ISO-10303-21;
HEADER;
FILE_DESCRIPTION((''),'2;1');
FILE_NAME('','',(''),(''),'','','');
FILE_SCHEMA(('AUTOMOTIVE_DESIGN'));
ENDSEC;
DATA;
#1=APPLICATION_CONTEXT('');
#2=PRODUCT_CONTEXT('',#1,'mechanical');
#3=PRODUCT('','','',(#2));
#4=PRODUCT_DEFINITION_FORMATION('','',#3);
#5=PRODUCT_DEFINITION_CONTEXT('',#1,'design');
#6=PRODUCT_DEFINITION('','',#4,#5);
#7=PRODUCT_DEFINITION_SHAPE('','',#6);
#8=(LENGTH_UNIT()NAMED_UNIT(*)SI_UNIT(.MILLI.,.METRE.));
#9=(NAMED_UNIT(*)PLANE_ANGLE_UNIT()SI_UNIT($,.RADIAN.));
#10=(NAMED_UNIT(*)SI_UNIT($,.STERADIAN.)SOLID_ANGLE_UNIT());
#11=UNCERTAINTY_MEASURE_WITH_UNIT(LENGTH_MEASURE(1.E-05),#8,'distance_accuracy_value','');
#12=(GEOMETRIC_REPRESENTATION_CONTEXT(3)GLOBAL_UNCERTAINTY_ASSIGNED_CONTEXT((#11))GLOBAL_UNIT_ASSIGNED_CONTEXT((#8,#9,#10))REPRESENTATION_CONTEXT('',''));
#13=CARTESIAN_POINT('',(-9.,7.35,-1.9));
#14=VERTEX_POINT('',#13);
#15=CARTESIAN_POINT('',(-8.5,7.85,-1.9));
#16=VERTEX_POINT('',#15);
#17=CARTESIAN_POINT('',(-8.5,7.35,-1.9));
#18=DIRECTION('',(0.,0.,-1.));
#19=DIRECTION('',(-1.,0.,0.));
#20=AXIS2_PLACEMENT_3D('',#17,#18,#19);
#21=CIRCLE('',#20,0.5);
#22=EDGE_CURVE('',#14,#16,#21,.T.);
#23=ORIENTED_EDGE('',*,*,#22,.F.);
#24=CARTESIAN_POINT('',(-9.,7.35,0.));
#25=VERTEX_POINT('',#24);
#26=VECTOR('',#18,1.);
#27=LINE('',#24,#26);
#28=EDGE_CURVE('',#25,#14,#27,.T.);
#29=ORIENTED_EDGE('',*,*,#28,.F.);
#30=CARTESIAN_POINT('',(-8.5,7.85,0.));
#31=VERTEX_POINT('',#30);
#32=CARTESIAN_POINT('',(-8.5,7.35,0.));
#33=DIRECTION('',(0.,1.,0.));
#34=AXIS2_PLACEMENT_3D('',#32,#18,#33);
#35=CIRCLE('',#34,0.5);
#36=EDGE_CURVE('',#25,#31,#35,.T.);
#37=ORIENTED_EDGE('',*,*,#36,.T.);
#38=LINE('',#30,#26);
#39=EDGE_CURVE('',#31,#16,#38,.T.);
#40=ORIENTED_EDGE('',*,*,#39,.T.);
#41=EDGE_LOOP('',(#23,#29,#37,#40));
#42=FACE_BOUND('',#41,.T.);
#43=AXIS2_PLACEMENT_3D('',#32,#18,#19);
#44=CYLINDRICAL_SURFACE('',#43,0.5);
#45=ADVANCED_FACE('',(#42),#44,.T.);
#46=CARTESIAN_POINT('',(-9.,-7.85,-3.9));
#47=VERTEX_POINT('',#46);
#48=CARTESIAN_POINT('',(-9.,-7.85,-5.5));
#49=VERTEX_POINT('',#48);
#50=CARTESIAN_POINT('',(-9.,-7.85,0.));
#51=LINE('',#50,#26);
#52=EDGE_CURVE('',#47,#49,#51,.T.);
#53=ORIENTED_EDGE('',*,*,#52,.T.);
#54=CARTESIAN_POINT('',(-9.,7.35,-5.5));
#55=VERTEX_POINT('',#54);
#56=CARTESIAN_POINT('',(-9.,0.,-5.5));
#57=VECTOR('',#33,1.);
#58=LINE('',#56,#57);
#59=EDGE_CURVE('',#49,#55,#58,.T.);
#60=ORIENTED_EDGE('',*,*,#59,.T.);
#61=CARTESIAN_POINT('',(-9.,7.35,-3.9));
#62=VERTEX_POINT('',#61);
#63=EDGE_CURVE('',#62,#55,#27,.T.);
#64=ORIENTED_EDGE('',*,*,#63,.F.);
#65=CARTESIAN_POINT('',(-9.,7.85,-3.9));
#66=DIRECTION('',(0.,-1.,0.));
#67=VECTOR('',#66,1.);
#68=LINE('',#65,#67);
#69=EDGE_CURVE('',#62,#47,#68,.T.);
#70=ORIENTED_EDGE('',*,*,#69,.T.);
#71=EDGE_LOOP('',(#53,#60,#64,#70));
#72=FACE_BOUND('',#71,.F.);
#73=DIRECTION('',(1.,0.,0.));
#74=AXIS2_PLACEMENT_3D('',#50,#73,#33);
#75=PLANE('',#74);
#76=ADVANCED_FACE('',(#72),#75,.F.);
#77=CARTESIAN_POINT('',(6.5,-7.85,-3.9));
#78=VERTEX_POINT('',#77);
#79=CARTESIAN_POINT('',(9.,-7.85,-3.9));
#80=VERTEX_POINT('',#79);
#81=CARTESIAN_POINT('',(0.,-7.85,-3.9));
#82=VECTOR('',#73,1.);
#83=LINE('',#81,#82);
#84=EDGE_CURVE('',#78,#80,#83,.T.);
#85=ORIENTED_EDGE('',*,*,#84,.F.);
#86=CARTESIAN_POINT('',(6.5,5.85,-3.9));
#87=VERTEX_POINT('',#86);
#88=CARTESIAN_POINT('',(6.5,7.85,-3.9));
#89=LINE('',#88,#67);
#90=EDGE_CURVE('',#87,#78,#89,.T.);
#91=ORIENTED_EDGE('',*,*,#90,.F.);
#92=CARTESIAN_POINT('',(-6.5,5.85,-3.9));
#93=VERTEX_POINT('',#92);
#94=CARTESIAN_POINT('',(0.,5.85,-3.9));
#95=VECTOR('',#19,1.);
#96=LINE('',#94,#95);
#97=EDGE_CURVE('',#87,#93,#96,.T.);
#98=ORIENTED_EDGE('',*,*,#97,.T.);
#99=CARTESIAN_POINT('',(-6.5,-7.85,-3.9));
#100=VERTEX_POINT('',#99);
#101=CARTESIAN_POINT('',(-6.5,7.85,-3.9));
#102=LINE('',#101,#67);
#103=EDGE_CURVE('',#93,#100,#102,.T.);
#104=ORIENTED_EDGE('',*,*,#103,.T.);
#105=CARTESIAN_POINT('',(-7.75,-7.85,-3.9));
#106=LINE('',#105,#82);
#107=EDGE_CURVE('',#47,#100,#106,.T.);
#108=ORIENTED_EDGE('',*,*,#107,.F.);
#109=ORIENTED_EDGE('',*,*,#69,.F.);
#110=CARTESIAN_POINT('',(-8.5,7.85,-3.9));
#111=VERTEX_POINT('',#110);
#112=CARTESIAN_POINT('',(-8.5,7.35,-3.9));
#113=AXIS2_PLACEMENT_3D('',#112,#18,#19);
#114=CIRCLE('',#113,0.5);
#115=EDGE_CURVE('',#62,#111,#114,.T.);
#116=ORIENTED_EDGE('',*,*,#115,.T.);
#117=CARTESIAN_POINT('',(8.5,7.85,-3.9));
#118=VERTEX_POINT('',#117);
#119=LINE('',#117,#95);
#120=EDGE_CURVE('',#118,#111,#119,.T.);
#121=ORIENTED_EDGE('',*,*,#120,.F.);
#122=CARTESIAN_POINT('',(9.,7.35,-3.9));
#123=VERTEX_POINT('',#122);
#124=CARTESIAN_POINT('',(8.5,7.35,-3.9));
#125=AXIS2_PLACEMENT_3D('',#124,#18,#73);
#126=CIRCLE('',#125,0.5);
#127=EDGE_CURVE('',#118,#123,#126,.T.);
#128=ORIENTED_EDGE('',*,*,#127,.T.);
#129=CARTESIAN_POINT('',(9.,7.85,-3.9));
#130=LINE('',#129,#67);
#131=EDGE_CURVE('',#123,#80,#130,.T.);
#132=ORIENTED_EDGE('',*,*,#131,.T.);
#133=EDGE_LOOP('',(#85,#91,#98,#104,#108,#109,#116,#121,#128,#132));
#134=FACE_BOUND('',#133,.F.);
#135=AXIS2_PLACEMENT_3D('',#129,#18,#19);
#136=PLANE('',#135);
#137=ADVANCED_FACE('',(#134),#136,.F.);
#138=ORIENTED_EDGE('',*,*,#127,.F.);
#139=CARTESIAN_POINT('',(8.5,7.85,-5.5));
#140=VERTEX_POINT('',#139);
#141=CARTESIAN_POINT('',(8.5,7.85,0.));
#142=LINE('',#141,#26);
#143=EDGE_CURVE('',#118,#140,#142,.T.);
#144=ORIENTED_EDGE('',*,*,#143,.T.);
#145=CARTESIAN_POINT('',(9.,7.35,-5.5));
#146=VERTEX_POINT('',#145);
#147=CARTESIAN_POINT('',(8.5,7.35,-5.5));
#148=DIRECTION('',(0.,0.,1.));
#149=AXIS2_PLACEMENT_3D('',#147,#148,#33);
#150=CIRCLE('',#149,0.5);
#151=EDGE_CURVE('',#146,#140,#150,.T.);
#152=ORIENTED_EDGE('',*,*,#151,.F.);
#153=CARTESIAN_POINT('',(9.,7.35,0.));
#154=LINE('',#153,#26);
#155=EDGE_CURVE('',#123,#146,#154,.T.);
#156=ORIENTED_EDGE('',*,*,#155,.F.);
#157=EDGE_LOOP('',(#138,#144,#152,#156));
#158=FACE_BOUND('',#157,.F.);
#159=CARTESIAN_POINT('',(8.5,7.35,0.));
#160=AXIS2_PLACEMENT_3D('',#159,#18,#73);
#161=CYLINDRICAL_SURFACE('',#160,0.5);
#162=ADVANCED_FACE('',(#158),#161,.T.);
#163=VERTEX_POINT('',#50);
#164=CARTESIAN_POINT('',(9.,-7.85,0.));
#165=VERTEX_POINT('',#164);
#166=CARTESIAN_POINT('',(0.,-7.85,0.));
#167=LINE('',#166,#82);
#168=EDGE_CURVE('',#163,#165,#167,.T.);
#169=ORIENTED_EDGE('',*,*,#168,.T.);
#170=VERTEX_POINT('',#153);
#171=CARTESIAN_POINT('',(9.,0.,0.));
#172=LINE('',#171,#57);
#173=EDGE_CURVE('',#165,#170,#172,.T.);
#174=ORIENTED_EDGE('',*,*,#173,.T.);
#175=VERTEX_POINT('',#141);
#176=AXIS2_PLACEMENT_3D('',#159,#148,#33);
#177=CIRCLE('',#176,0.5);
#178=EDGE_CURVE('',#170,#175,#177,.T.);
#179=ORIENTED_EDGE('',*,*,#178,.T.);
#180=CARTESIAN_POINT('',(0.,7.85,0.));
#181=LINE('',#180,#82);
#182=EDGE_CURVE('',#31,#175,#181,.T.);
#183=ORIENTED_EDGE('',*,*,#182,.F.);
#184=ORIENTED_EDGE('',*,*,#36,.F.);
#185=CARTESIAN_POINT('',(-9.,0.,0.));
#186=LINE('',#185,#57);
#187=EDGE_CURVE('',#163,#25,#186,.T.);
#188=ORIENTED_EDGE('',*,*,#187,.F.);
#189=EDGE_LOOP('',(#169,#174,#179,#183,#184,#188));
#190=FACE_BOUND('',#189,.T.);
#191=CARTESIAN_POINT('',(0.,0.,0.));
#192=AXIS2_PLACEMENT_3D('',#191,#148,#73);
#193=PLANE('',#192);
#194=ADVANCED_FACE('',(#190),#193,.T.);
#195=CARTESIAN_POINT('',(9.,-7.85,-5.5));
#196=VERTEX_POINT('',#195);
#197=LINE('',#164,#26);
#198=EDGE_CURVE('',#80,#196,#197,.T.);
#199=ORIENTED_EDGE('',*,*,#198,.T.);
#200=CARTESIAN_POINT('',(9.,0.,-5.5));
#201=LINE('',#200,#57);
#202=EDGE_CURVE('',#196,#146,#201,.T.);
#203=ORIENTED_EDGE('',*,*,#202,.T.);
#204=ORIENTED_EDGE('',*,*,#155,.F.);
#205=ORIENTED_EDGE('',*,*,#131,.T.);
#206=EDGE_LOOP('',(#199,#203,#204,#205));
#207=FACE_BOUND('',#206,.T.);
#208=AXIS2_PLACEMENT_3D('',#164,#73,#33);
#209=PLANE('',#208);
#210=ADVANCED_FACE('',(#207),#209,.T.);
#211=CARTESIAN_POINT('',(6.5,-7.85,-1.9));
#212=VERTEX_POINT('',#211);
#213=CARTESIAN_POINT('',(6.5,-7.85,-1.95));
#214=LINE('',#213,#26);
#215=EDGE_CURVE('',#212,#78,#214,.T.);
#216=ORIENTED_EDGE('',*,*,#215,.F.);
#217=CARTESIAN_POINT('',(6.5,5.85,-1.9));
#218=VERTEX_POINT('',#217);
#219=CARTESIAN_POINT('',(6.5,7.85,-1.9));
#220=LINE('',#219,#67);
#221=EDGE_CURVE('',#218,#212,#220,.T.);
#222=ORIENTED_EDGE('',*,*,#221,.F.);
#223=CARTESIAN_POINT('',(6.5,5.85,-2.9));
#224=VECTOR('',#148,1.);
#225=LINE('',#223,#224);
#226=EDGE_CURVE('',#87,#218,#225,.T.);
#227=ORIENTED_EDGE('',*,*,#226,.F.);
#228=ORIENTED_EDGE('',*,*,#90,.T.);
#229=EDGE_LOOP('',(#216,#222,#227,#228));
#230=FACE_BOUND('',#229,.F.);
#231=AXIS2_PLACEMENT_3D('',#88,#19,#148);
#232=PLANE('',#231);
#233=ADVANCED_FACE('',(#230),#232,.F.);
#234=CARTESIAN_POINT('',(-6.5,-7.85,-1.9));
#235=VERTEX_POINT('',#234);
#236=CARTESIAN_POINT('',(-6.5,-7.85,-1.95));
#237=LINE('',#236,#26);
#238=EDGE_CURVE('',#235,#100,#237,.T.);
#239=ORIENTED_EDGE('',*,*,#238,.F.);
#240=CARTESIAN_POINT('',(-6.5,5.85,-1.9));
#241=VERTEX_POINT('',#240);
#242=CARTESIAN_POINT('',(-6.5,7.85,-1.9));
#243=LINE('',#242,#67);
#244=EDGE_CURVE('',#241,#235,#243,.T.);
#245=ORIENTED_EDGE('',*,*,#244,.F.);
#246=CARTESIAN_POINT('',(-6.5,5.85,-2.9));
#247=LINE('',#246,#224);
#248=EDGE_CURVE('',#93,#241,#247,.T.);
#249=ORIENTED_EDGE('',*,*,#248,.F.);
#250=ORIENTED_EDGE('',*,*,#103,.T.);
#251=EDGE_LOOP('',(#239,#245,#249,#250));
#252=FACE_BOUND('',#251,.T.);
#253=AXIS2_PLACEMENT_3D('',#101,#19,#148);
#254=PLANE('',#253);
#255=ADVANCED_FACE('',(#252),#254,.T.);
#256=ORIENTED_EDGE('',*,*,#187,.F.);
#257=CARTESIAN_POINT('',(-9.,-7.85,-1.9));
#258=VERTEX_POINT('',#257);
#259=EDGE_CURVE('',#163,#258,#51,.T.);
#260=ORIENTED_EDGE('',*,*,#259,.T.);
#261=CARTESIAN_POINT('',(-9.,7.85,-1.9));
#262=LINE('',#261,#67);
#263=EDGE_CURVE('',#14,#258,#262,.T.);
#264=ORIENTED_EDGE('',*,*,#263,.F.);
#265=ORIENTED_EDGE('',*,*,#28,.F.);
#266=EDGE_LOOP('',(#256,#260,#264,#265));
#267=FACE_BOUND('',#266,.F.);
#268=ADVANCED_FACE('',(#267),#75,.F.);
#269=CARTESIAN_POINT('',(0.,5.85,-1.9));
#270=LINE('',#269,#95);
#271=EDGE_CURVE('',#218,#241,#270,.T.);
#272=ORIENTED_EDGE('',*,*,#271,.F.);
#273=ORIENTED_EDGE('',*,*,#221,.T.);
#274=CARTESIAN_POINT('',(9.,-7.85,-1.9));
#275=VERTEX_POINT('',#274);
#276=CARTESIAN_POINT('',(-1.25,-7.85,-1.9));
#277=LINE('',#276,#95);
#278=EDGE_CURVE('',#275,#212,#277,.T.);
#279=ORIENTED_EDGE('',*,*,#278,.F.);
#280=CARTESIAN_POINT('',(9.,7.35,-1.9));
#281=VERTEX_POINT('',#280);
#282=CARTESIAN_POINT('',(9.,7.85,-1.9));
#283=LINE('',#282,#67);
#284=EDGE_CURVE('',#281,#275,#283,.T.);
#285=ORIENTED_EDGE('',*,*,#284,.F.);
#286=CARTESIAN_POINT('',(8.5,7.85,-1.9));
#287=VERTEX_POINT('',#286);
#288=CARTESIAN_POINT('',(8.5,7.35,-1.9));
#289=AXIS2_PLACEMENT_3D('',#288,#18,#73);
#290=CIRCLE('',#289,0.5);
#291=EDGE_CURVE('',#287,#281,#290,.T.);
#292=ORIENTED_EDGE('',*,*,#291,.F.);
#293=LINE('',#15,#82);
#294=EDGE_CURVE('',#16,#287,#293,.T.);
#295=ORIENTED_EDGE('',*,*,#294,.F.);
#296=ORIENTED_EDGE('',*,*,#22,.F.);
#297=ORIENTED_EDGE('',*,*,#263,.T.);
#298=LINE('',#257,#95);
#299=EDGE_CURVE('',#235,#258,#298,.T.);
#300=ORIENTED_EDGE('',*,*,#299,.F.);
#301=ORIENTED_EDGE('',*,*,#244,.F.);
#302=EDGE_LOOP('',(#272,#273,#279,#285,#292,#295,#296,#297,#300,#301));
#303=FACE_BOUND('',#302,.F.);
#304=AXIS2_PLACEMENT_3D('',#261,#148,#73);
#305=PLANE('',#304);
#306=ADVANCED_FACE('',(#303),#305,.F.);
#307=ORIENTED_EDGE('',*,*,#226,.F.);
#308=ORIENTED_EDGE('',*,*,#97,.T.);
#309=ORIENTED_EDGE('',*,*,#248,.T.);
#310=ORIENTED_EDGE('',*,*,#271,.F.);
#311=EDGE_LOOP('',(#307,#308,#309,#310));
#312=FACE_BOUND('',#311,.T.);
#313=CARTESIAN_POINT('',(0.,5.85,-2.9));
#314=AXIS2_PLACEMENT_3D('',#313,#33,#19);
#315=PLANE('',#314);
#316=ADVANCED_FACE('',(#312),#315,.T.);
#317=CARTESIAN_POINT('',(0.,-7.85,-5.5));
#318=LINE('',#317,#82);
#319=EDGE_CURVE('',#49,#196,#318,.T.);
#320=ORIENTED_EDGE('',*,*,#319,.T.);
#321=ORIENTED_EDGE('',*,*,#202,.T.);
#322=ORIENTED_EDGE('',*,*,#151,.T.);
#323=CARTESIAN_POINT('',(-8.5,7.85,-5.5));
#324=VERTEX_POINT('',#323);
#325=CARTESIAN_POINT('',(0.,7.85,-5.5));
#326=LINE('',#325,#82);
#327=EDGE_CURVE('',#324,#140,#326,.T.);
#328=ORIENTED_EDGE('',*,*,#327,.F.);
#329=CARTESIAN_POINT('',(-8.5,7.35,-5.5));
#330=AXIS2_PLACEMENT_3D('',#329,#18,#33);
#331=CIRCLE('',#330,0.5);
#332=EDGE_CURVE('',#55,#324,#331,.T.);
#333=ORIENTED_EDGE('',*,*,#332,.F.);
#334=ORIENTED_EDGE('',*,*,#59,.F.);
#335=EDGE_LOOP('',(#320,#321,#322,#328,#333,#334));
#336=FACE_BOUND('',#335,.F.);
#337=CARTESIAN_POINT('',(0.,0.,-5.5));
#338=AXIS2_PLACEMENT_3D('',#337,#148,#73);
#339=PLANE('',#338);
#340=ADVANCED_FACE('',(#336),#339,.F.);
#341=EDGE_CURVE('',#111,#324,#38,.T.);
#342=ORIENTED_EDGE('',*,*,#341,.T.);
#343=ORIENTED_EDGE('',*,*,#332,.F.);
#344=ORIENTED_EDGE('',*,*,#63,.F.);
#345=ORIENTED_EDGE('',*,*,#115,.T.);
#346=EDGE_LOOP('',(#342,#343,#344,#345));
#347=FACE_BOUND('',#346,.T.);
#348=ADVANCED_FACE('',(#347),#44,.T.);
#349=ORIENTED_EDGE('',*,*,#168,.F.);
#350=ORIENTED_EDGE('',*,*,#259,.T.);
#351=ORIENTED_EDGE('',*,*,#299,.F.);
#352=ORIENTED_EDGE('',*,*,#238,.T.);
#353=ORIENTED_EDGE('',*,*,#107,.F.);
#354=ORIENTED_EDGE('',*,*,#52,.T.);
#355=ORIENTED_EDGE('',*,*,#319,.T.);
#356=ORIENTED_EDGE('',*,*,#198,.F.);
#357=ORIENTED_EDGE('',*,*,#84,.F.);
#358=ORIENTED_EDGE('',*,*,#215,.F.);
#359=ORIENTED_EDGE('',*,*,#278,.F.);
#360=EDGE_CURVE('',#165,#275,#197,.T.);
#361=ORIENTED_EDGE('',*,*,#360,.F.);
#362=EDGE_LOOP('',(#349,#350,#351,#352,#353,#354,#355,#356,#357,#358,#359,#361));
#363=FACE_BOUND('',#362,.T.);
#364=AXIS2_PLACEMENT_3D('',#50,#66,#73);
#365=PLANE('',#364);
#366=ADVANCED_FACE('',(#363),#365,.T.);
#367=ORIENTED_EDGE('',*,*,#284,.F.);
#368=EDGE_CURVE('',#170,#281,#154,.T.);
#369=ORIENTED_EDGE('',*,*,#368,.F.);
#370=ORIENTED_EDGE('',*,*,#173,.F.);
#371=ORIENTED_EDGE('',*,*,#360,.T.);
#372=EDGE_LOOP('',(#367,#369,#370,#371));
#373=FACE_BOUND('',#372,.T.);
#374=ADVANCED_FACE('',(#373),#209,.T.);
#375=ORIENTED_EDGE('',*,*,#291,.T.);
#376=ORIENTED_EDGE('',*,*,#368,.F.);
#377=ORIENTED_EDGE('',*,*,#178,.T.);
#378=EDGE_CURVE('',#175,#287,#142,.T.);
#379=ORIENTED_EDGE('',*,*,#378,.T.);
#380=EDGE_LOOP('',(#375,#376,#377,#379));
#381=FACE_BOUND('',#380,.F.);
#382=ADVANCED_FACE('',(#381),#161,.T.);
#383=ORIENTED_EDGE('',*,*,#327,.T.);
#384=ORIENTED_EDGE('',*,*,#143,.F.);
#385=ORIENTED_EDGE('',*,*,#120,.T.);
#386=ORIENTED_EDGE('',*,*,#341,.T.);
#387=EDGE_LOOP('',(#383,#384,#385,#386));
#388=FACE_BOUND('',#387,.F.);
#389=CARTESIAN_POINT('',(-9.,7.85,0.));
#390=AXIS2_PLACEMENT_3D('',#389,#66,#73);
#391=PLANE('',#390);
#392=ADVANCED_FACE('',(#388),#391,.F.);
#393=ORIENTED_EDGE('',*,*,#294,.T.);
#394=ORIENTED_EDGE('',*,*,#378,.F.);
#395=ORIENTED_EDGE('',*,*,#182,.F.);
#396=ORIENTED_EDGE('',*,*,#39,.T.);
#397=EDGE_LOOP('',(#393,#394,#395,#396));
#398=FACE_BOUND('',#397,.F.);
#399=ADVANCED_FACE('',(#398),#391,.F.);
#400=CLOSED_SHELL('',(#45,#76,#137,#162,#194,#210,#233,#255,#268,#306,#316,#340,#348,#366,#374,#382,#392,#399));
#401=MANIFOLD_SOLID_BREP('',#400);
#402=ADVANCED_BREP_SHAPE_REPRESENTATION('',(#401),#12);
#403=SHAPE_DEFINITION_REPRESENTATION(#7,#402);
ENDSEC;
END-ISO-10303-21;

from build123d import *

# Parameters (mm, degrees)
F0_W     = 18
F0_H     = 15.7
F1_DEPTH = 5.5
F2_R     = 0.5
F3_W     = 2
F3_H     = 2
F3_W_2   = 0.5
F4_DEPTH = 25
F3_W_3   = 13
F5_DEPTH = 2


with BuildPart() as f1:
    # F0 (on Top) → F1 (new body)
    with BuildSketch(Plane.XY):
        Rectangle(F0_W, F0_H)
    extrude(amount=-F1_DEPTH)

    # F2
    f2_edges = [f1.edges().sort_by_distance(p)[0] for p in [
        (9, 7.85, -2.75),
        (-9, 7.85, -2.75),
    ]]
    fillet(f2_edges, radius=F2_R)

    # F3 (on face) → F4 (cut)
    with BuildSketch(Plane(origin=(0, 7.85, 0), x_dir=(-1, 0, 0), z_dir=(0, 1, 0))):
        with Locations((-7.5, -2.9)):
            Rectangle(F3_W, F3_H)
        with Locations((-8.75, -2.9)):
            Rectangle(F3_W_2, F3_H)
        with Locations((7.5, -2.9)):
            Rectangle(F3_W, F3_H)
        with Locations((8.75, -2.9)):
            Rectangle(F3_W_2, F3_H)
    extrude(amount=-F4_DEPTH, mode=Mode.SUBTRACT)

    # F3 (on face) → F5 (cut)
    with BuildSketch(Plane(origin=(0, 7.85, 0), x_dir=(-1, 0, 0), z_dir=(0, 1, 0))):
        with Locations((0, -2.9)):
            Rectangle(F3_W_3, F3_H)
    extrude(amount=-F5_DEPTH, mode=Mode.SUBTRACT)


solid = f1.part
